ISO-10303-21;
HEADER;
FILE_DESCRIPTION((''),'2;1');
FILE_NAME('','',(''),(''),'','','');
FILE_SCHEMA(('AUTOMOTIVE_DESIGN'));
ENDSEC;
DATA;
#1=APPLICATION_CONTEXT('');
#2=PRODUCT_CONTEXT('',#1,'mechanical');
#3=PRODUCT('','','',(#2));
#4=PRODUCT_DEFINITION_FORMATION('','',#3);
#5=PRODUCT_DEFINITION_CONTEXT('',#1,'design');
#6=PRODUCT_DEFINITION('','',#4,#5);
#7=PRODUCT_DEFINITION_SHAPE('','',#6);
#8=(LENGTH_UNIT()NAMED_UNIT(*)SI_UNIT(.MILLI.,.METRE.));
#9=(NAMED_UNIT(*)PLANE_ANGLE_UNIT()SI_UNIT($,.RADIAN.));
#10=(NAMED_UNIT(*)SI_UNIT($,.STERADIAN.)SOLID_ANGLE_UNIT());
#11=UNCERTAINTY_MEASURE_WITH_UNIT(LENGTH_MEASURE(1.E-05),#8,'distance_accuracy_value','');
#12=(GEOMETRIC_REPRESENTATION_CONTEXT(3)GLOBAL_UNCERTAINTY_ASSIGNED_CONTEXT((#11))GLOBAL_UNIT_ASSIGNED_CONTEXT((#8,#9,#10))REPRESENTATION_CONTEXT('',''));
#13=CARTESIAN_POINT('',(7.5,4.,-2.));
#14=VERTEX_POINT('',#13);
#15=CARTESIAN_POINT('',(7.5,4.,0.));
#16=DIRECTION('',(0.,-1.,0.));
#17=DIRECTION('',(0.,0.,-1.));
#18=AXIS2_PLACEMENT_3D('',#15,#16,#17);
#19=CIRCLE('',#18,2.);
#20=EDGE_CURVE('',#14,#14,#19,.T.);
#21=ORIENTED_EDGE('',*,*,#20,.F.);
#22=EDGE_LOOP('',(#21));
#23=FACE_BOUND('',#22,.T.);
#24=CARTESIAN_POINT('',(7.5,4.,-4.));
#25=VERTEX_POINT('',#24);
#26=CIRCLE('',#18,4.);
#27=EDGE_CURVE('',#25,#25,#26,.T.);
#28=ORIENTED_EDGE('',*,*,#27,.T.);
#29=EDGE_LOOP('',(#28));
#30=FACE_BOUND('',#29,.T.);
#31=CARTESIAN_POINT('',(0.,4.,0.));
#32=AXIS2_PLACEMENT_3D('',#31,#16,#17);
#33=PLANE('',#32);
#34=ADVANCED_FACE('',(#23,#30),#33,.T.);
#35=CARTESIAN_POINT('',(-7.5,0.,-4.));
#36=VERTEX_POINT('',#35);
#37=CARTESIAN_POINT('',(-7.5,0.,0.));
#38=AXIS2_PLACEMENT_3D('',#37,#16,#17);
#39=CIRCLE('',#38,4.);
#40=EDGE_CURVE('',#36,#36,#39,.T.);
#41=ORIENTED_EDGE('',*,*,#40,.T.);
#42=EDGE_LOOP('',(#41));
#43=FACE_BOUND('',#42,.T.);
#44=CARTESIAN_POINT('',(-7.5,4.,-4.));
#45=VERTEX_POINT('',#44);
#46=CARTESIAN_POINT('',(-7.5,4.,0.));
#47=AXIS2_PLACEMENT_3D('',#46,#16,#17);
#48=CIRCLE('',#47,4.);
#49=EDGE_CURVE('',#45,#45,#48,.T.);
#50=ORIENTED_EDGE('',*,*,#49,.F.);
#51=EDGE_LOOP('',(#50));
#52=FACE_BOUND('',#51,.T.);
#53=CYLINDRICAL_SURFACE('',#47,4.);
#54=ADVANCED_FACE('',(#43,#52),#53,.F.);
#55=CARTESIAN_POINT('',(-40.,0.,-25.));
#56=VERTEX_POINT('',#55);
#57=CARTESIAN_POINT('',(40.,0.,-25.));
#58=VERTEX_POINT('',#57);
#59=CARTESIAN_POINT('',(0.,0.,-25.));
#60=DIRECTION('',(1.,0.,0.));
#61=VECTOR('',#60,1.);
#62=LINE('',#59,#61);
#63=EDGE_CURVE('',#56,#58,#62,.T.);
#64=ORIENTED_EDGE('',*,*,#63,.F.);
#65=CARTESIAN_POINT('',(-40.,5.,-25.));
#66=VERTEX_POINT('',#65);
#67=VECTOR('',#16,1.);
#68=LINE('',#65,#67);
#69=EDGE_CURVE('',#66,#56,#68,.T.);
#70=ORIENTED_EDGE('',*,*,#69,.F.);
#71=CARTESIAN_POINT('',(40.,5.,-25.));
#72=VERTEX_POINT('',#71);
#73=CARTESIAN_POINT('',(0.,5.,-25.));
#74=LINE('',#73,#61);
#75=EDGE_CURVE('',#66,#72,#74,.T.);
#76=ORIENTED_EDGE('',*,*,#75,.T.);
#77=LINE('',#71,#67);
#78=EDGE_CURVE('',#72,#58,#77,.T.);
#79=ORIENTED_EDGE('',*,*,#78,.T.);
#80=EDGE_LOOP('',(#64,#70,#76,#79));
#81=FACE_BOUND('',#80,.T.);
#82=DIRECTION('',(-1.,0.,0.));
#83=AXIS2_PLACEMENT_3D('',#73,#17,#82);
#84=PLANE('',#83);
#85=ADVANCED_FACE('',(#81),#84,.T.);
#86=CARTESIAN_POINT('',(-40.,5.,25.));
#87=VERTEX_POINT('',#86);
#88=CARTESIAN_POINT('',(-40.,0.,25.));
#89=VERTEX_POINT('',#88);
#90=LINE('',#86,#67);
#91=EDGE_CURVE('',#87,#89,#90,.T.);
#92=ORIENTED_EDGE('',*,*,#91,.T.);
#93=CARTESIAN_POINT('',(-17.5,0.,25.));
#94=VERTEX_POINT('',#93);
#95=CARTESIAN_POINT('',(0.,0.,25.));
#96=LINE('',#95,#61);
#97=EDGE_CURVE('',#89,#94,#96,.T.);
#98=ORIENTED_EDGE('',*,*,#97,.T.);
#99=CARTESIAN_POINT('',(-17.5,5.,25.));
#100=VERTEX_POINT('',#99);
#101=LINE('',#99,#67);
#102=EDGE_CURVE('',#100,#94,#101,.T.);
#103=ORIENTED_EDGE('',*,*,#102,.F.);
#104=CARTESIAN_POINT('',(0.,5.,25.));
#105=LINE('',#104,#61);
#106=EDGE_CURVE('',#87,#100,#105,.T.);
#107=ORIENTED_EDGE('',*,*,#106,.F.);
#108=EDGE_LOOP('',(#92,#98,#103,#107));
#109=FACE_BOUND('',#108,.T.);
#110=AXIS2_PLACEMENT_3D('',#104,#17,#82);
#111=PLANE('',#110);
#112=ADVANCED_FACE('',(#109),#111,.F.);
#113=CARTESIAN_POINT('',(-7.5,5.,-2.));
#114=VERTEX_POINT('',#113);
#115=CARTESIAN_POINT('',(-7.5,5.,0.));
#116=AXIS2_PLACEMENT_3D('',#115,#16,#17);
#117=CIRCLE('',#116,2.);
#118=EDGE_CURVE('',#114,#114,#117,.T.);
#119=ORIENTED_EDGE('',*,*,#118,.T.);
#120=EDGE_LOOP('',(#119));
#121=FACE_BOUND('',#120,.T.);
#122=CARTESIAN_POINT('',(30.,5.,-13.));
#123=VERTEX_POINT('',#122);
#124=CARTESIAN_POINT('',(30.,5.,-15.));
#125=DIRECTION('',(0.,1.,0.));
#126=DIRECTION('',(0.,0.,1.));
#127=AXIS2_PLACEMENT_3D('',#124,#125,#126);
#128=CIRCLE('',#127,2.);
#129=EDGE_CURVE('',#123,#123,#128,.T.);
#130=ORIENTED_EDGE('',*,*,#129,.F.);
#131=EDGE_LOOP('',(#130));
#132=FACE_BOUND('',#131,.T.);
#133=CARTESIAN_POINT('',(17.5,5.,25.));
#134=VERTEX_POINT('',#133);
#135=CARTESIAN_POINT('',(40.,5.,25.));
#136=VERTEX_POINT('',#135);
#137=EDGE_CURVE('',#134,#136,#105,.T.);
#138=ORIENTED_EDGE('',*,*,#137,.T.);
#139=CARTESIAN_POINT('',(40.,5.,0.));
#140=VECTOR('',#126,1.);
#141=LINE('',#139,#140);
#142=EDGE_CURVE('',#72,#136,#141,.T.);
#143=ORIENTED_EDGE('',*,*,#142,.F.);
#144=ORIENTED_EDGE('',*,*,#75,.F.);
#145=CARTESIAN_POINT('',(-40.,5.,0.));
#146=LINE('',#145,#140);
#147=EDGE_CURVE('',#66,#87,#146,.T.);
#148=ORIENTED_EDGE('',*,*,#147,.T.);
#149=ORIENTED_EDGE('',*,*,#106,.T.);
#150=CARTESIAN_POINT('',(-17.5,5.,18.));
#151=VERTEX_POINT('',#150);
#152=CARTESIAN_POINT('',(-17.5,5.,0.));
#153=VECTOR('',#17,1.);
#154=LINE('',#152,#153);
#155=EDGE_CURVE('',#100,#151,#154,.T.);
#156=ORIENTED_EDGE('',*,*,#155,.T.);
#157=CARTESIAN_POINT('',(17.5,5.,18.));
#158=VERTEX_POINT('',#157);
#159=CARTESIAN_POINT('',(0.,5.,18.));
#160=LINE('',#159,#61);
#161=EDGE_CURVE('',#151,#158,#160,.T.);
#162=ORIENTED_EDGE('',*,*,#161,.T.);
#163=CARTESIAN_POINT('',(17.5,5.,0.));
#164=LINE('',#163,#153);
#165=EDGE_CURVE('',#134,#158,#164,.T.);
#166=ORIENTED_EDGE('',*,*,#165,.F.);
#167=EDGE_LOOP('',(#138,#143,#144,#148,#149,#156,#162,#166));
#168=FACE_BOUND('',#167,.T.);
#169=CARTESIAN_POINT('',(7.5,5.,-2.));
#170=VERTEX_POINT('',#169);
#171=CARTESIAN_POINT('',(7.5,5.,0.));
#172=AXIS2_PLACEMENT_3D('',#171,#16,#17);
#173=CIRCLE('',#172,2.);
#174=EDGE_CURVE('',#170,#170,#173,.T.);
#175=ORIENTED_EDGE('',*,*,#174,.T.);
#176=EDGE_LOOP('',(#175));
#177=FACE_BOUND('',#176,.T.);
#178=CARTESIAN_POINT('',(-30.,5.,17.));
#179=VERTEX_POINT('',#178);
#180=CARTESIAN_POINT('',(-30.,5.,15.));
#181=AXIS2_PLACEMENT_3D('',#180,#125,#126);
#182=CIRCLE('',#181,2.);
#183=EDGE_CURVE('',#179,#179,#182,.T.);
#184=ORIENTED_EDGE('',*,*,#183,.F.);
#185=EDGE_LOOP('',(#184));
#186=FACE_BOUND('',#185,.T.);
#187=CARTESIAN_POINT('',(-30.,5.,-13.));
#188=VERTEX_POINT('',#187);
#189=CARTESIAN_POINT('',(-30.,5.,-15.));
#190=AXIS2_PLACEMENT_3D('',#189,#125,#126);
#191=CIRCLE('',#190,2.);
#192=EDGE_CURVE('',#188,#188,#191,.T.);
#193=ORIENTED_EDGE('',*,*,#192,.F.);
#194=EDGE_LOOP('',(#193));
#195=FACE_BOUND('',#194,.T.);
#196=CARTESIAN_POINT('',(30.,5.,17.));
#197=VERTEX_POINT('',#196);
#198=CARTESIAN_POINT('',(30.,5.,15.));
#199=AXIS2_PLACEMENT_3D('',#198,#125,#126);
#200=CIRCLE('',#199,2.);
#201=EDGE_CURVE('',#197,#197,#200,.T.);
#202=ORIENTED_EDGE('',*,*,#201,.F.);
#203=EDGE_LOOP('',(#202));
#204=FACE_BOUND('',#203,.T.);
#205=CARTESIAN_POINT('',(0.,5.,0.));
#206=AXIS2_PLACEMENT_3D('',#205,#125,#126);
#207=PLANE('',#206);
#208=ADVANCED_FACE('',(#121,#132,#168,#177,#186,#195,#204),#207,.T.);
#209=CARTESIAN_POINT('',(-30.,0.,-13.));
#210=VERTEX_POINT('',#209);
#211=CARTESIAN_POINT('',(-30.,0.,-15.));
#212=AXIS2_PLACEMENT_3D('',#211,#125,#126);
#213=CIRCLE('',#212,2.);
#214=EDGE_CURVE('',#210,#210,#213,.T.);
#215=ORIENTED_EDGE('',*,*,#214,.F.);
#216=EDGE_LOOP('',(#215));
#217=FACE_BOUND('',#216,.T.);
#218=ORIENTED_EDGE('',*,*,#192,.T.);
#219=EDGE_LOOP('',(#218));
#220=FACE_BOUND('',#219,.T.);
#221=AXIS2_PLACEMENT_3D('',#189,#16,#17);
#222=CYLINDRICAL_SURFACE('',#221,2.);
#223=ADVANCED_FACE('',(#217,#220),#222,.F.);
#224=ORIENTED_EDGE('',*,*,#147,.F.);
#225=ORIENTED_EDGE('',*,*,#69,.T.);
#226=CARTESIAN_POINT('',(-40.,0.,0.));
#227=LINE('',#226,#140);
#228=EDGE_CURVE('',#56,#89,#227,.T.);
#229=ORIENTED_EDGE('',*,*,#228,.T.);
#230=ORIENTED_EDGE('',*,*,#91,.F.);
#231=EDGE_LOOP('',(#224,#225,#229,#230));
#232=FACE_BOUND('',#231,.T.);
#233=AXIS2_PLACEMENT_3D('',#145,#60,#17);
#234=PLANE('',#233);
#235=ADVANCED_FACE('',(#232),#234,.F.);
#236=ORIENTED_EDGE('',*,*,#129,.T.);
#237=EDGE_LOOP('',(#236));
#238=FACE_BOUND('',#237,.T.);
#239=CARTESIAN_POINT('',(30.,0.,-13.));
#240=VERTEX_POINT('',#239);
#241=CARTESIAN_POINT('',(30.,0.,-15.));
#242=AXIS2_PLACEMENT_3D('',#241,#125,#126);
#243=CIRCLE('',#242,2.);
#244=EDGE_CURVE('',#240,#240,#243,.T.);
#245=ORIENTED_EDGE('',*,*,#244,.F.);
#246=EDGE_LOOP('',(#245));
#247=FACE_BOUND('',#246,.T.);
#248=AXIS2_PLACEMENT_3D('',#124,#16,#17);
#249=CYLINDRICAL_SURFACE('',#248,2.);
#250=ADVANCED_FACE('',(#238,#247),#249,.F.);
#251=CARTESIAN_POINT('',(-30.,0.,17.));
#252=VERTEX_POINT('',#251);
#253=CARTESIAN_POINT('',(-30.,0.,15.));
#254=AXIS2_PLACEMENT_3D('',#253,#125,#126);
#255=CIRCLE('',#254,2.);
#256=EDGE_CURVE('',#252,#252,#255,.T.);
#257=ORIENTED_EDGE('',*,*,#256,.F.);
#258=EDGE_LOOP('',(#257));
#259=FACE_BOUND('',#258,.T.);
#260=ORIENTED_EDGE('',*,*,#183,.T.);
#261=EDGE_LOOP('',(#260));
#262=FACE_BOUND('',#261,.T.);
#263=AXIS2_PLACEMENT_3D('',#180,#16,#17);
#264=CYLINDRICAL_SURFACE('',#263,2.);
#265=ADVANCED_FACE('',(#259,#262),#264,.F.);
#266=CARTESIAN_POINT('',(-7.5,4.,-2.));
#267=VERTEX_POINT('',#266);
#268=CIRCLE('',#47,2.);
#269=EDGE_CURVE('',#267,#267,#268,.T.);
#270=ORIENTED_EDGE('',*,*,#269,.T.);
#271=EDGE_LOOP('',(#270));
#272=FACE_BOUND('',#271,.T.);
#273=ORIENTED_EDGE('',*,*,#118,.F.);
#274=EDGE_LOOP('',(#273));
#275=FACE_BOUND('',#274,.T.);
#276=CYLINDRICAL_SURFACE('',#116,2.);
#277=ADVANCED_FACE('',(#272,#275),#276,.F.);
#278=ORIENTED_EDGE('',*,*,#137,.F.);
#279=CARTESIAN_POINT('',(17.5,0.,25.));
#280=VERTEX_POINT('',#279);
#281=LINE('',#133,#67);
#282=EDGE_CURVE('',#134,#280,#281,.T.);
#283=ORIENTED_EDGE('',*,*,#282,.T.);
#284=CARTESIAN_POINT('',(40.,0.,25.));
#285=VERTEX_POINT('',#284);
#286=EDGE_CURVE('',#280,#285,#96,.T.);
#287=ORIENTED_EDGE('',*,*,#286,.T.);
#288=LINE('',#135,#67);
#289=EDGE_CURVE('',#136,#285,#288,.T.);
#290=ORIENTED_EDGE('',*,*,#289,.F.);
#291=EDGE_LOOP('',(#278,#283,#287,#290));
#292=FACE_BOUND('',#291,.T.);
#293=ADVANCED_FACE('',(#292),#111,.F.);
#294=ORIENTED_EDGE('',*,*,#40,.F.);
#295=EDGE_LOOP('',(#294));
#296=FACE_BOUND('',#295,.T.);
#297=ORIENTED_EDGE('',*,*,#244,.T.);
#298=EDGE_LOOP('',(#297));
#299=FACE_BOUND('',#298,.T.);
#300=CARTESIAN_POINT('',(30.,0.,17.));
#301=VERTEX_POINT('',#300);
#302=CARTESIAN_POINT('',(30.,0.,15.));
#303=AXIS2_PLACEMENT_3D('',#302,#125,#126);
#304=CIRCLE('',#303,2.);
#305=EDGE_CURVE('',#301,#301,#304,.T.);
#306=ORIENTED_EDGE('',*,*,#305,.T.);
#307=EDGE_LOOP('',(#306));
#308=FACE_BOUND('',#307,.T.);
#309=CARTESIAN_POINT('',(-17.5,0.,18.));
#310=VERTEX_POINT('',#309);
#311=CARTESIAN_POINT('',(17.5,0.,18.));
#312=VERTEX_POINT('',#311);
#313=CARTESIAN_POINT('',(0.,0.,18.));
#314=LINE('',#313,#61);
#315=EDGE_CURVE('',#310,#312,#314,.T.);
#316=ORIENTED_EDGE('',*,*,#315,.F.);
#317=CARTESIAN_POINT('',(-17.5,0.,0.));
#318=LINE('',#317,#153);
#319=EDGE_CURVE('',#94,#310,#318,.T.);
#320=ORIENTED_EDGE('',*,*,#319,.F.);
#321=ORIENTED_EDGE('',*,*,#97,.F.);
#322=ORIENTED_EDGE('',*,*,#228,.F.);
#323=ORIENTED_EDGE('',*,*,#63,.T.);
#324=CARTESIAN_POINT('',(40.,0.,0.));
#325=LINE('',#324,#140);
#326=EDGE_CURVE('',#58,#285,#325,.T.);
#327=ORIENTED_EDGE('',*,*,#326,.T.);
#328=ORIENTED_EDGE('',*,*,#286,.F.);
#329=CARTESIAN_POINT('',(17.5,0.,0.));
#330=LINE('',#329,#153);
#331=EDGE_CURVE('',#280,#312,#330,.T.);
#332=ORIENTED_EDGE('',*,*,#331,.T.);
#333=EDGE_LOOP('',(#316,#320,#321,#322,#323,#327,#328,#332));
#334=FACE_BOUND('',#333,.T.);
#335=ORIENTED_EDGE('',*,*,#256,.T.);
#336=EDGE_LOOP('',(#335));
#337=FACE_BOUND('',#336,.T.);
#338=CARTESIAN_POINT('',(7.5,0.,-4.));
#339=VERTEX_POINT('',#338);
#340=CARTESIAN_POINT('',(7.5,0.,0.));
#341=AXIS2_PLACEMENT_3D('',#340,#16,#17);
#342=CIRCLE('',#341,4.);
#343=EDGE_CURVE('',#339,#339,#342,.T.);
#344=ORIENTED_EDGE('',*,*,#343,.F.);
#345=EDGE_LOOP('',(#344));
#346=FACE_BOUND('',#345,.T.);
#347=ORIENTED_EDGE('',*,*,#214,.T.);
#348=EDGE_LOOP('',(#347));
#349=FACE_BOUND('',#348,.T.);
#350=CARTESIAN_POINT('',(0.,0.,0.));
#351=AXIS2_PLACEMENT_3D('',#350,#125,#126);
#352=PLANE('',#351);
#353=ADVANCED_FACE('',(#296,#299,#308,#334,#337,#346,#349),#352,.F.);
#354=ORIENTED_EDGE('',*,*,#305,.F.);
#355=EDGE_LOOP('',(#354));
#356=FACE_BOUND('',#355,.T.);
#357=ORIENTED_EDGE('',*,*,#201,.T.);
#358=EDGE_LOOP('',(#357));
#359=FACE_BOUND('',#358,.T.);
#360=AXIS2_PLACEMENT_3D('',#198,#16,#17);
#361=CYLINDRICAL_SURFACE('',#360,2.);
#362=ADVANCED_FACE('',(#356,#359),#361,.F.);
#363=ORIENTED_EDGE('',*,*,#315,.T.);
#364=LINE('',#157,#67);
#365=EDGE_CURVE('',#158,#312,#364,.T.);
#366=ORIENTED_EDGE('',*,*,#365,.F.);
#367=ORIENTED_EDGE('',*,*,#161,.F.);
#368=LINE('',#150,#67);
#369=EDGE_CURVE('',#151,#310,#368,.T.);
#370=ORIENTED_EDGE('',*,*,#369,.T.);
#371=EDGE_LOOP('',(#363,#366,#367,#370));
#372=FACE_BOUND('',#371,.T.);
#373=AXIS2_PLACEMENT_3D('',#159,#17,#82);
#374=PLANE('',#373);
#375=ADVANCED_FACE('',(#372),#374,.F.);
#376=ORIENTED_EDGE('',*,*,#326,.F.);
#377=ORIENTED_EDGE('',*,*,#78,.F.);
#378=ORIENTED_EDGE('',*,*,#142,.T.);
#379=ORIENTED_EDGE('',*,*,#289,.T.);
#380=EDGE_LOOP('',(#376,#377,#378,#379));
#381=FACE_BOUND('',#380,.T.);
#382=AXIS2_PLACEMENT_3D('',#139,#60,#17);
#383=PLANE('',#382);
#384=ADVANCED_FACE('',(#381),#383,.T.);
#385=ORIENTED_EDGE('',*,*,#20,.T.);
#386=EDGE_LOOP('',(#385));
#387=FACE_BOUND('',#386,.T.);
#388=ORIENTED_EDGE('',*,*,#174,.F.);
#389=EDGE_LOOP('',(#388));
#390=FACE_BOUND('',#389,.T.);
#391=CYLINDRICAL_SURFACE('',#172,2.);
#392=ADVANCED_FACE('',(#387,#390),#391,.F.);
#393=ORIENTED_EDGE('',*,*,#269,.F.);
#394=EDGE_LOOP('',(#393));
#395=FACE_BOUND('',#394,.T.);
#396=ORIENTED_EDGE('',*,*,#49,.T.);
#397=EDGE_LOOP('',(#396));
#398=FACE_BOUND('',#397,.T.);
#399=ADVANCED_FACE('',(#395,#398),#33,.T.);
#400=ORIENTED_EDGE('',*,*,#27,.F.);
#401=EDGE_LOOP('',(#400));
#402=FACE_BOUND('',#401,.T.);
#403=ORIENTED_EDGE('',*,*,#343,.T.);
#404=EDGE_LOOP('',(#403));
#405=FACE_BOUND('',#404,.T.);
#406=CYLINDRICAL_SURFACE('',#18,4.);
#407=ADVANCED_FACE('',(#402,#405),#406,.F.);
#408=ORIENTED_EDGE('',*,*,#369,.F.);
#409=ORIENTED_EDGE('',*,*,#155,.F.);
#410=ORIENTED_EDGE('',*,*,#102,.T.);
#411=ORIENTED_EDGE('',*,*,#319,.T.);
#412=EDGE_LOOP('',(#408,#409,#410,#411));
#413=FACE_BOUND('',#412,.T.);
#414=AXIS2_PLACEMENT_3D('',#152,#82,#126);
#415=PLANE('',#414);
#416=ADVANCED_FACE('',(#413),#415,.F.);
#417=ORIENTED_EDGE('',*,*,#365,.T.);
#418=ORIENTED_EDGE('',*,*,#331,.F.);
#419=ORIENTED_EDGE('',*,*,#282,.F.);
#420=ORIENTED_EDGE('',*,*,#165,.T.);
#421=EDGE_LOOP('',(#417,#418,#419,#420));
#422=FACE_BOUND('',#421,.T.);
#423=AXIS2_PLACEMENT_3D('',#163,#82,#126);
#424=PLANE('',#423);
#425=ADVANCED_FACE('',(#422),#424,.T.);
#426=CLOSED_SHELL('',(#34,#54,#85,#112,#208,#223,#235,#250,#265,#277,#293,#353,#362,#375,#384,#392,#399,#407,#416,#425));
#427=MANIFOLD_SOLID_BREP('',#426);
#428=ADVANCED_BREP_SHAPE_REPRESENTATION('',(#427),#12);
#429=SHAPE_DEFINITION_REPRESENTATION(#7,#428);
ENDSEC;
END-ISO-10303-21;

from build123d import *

# Parameters (mm, degrees)
SKETCH1_R           = 2
BOSS_EXTRUDE1_DEPTH = 5
SKETCH2_R           = 4
CUT_EXTRUDE1_DEPTH  = 4
SKETCH2_4_R         = 2
CUT_EXTRUDE2_DEPTH  = 48.434164903


with BuildPart() as part:
    # Sketch1 → Boss-Extrude1 (new body)
    with BuildSketch(Plane(origin=(0, 0, 0), x_dir=(1, 0, 0), z_dir=(0, 1, 0))):
        Polygon((-40, -25), (-17.5, -25), (-17.5, -18), (17.5, -18), (17.5, -25), (40, -25), (40, 25), (-40, 25), align=None)
        with Locations((-30, -15)):
            Circle(SKETCH1_R, mode=Mode.SUBTRACT)
        with Locations((30, -15)):
            Circle(SKETCH1_R, mode=Mode.SUBTRACT)
        with Locations((-30, 15)):
            Circle(SKETCH1_R, mode=Mode.SUBTRACT)
        with Locations((30, 15)):
            Circle(SKETCH1_R, mode=Mode.SUBTRACT)
    extrude(amount=BOSS_EXTRUDE1_DEPTH)

    # Sketch2 → Cut-Extrude1 (cut)
    with BuildSketch(Plane.XZ):
        with Locations((-7.5, 0)):
            Circle(SKETCH2_R)
        with Locations((7.5, 0)):
            Circle(SKETCH2_R)
    extrude(amount=-CUT_EXTRUDE1_DEPTH, mode=Mode.SUBTRACT)

    # Sketch2<4> → Cut-Extrude2 (cut, through all)
    with BuildSketch(Plane.XZ):
        with Locations((-7.5, 0)):
            Circle(SKETCH2_4_R)
        with Locations((7.5, 0)):
            Circle(SKETCH2_4_R)
    extrude(amount=-CUT_EXTRUDE2_DEPTH, mode=Mode.SUBTRACT)


solid = part.part
